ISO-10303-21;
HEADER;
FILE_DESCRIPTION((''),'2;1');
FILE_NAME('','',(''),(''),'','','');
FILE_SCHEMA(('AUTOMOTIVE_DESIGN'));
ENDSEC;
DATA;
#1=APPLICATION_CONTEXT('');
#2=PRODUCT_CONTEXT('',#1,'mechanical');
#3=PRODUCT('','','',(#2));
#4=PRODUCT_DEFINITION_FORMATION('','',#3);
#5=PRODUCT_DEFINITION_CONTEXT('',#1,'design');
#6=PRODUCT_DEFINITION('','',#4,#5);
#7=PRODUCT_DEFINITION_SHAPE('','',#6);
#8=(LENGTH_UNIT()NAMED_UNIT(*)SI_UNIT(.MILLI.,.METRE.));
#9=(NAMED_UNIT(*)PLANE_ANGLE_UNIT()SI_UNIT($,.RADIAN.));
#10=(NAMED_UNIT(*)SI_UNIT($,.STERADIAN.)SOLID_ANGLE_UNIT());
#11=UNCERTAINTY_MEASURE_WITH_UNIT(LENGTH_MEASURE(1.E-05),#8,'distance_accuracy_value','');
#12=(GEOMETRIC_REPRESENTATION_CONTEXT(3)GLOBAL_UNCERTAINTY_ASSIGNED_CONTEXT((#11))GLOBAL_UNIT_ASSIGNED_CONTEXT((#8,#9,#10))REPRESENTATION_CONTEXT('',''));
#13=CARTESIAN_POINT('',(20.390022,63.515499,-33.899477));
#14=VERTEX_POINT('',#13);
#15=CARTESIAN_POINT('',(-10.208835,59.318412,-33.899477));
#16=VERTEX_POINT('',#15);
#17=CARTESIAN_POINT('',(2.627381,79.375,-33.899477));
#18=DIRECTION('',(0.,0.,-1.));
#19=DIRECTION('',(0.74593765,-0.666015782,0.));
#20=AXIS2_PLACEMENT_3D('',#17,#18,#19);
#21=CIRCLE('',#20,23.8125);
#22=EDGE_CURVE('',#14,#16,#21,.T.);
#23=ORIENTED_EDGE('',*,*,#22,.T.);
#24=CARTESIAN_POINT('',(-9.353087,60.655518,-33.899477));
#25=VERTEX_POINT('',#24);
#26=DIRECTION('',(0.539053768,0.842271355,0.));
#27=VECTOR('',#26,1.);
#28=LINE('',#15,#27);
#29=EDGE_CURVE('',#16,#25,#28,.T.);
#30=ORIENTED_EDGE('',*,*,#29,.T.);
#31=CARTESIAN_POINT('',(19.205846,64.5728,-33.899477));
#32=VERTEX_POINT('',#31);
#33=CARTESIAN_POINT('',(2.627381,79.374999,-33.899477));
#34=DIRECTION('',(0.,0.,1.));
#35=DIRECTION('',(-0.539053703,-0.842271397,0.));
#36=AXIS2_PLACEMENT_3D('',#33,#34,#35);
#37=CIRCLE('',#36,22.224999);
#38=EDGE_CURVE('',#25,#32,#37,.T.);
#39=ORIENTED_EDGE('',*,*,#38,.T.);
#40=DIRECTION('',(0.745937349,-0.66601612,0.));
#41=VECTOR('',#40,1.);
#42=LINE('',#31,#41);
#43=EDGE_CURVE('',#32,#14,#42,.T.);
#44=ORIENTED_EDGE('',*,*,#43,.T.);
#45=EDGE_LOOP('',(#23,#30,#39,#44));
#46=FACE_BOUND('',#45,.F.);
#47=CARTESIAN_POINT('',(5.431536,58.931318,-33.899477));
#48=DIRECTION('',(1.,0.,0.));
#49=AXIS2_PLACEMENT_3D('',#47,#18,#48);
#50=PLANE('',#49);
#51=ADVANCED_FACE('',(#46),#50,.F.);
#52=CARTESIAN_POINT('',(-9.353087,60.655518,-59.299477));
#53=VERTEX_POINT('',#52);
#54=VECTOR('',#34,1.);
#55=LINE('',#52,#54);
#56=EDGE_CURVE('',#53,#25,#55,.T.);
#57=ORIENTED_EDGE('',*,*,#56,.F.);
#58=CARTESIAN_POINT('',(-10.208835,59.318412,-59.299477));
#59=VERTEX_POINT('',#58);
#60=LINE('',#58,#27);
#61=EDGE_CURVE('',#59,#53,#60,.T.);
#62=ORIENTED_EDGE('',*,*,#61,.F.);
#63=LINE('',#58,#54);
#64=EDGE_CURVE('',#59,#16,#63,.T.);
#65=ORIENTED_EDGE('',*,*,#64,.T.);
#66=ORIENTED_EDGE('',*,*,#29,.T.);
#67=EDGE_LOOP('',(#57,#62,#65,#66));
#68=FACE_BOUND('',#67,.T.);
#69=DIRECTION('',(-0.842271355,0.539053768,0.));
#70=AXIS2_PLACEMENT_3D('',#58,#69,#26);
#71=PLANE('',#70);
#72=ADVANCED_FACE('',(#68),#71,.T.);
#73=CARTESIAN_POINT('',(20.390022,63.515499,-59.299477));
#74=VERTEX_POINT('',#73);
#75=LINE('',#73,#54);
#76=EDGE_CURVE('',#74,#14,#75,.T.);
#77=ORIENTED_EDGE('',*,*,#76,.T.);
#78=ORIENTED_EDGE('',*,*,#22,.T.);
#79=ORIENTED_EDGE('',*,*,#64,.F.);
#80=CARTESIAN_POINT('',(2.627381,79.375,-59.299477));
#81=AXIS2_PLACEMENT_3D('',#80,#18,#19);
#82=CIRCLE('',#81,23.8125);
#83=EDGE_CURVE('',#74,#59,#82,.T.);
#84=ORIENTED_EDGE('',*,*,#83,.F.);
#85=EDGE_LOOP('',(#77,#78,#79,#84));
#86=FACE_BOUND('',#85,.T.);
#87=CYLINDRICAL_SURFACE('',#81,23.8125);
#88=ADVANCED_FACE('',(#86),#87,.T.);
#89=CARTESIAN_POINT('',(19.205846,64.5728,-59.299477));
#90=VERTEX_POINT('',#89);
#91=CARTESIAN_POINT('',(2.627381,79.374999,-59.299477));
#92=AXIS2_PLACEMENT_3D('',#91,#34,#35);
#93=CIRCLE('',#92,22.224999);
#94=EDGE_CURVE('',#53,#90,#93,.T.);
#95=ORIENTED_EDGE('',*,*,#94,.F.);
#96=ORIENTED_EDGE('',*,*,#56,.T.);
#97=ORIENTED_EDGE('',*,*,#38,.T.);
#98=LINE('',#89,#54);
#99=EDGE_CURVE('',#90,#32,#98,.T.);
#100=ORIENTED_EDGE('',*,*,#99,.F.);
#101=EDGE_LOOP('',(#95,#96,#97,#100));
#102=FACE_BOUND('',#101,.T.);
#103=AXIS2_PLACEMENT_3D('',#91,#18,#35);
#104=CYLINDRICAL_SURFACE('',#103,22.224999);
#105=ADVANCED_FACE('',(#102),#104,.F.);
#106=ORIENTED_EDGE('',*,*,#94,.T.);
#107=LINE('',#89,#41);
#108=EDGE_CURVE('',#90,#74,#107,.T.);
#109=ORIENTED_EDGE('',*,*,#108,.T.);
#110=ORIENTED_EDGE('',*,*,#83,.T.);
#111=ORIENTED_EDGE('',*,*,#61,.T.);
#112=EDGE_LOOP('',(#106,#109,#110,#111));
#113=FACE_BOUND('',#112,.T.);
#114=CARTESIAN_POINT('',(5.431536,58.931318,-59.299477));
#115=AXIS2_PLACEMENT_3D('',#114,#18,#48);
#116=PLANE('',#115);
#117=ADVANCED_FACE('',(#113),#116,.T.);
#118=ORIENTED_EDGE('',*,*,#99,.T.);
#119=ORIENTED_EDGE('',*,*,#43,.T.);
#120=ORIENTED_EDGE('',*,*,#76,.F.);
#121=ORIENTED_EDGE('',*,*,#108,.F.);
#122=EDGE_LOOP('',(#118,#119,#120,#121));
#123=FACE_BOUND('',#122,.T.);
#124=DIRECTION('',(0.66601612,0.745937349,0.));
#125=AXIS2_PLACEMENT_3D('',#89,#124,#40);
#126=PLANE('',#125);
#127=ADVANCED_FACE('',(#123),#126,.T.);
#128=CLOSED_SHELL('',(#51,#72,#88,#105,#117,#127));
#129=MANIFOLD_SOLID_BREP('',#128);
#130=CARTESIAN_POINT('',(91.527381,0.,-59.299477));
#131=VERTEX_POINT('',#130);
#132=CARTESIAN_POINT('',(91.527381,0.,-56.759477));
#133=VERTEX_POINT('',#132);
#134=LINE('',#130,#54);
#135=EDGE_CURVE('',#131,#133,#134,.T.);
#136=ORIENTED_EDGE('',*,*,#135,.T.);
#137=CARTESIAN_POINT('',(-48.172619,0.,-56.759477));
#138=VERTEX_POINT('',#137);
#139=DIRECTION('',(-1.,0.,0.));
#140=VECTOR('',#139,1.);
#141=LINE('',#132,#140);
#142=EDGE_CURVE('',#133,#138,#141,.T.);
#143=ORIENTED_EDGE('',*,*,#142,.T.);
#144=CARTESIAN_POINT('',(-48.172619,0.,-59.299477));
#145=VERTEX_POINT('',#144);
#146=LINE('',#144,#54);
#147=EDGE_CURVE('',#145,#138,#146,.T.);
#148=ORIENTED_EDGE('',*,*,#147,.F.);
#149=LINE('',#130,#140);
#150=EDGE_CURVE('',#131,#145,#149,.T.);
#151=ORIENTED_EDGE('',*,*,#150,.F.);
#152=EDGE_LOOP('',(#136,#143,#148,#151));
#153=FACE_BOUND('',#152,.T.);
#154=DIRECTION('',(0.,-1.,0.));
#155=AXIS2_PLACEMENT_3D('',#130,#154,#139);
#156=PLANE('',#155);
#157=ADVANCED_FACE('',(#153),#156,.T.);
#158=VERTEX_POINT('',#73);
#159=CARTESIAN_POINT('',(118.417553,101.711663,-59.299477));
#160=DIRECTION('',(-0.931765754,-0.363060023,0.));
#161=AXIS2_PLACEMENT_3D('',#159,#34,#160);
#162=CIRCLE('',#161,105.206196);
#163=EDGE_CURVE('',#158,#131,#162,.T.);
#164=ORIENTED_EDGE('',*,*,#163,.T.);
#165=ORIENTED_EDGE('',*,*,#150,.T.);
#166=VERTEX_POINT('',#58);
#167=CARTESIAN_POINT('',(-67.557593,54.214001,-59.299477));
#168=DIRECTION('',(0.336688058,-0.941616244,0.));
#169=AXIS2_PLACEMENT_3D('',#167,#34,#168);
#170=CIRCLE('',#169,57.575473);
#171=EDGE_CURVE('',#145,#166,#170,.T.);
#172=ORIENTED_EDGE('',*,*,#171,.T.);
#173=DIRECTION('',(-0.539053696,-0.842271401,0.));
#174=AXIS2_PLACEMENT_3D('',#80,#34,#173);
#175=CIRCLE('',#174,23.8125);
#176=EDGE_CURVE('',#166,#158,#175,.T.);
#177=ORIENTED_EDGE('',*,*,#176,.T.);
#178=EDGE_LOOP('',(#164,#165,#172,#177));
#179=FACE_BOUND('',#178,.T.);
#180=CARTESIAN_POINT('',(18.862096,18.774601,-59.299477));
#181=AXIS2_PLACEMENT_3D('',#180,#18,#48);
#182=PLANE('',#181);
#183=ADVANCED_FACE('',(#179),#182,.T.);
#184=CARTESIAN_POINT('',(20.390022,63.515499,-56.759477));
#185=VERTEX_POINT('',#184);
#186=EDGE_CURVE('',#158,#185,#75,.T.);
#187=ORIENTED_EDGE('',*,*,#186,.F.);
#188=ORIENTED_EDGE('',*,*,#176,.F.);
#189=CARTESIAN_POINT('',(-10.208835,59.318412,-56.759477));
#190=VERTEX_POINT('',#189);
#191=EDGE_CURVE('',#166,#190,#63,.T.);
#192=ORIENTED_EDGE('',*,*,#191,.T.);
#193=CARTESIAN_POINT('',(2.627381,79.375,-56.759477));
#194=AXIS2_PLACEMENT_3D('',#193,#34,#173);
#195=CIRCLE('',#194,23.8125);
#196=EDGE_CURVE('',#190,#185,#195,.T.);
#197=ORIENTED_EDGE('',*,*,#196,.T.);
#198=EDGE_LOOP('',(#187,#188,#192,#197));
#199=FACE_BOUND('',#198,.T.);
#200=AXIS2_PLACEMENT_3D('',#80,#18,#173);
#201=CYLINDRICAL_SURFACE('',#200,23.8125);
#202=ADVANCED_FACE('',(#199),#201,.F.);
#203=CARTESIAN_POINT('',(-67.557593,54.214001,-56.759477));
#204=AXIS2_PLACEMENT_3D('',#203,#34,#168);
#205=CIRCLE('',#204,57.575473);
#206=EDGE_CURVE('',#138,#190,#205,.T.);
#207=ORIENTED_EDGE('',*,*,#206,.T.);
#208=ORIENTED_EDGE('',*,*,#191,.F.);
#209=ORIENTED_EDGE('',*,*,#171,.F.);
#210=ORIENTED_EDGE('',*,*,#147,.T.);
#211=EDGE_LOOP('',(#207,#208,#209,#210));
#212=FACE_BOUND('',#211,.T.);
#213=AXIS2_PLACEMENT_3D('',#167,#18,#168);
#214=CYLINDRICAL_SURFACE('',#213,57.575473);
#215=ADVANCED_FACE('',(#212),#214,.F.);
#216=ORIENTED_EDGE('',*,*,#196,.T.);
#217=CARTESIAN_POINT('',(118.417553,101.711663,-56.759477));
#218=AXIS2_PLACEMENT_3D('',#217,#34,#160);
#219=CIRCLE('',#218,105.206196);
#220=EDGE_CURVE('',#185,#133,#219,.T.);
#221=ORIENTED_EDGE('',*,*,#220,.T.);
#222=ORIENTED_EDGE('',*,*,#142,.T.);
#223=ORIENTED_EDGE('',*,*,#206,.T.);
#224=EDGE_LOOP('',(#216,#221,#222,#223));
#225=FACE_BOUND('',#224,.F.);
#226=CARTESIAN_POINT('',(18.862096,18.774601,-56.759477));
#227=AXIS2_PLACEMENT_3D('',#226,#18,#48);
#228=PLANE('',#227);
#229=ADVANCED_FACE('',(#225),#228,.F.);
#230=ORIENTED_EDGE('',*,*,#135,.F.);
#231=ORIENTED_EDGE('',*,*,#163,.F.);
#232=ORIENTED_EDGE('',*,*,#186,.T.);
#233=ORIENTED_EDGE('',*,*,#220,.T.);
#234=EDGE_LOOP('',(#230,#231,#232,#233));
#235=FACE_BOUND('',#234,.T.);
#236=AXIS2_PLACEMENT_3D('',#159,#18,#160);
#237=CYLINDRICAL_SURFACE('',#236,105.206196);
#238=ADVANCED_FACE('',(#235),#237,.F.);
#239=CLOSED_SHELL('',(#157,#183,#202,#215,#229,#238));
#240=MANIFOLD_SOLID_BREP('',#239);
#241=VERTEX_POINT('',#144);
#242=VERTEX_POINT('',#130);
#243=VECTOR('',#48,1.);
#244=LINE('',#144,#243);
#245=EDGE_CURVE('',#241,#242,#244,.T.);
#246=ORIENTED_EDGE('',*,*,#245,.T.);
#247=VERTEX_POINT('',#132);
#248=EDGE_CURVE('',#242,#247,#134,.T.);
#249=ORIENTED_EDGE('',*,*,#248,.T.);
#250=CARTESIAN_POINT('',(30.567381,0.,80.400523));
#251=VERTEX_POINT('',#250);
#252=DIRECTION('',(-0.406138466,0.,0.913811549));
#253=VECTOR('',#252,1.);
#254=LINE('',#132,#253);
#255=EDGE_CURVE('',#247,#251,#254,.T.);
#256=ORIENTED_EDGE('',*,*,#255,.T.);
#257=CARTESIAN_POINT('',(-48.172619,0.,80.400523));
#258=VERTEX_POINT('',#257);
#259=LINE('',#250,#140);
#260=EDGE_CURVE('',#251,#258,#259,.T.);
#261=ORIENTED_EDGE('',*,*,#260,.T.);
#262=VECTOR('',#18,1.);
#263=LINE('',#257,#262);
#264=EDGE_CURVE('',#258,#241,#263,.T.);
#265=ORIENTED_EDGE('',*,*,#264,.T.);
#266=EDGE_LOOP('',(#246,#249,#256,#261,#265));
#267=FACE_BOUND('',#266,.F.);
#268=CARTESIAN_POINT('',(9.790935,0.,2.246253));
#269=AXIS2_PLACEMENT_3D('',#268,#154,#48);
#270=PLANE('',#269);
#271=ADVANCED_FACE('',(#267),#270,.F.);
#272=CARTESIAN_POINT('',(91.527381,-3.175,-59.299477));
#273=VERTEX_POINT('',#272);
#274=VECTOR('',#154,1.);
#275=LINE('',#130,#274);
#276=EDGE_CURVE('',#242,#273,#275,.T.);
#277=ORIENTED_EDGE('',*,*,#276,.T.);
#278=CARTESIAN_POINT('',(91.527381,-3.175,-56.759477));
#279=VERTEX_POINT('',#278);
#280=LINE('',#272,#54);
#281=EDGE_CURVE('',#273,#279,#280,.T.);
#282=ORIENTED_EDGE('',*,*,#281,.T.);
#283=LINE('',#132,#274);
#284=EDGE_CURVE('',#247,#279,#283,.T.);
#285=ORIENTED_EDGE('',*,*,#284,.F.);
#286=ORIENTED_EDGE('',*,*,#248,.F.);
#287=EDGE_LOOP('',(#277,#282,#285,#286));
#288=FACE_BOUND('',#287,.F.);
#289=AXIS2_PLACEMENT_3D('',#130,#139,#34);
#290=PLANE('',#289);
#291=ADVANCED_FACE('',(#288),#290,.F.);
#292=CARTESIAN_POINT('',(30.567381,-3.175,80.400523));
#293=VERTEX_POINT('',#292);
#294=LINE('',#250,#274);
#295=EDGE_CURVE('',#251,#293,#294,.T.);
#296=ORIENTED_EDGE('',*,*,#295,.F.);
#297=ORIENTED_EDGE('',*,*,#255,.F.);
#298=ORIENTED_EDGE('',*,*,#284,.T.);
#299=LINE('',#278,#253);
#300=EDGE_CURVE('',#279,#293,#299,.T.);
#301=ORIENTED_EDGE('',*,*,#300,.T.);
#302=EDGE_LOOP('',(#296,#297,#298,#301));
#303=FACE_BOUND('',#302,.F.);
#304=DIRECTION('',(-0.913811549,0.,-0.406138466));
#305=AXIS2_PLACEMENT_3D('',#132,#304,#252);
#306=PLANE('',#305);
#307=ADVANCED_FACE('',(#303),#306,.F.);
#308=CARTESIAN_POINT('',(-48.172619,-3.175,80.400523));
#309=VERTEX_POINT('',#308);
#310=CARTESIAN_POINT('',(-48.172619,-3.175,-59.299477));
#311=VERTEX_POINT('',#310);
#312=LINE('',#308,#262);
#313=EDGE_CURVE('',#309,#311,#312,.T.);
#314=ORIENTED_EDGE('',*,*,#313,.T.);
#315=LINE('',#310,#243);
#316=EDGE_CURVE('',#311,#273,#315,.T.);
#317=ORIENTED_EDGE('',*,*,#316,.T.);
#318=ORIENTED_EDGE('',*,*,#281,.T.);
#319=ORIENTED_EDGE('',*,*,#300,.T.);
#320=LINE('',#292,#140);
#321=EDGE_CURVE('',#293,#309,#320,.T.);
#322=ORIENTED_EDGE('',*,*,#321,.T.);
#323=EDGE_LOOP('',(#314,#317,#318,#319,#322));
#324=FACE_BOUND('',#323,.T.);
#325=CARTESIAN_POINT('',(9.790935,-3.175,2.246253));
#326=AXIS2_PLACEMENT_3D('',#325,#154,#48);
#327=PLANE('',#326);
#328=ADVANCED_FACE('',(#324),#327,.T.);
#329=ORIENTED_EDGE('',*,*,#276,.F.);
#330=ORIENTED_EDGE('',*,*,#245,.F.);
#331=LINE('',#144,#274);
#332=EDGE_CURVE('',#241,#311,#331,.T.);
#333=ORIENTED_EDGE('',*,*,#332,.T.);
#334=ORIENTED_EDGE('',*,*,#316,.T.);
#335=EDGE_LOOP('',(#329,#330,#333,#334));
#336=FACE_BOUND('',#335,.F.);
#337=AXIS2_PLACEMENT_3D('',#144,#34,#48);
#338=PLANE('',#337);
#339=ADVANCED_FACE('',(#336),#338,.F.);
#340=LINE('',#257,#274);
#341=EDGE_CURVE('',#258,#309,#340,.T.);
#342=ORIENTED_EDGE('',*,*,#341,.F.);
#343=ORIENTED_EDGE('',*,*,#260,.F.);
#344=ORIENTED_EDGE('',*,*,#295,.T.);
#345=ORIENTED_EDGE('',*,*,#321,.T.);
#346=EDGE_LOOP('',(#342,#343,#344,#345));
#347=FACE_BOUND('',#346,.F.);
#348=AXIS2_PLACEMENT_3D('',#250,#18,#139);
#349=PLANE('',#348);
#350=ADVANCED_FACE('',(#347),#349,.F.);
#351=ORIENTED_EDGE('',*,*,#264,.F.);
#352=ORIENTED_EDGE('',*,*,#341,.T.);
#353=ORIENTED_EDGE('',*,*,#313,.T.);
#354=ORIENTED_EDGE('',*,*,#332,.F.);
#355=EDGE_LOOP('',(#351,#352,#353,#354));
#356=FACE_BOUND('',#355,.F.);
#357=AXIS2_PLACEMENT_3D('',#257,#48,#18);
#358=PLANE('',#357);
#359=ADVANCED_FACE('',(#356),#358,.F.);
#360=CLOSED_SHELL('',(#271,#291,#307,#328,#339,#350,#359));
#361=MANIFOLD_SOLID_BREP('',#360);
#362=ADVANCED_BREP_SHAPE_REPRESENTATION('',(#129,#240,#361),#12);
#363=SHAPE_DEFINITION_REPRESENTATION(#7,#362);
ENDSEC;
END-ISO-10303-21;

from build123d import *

# Parameters (mm, degrees)
F1_DEPTH = 3.175
F3_DEPTH = 25.4
F5_DEPTH = 2.54


with BuildPart() as f1:
    # F0 (on Front) → F1 (new body)
    with BuildSketch(Plane.XZ):
        Polygon((-48.172619, 80.400523), (-48.172619, -59.299477), (91.527381, -59.299477), (91.527381, -56.759477), (30.567381, 80.400523), align=None)
    extrude(amount=F1_DEPTH)


with BuildPart() as f3:
    # F2 (on face) → F3 (new body)
    with BuildSketch(Plane(origin=(0, 0, -59.299477), x_dir=(1, 0, 0), z_dir=(0, 0, -1))):
        with BuildLine():
            ThreePointArc((-9.353087, -60.655518), (5.647591, -57.356168), (19.205846, -64.5728))
            Line((19.205846, -64.5728), (20.390022, -63.515499))
            ThreePointArc((20.390022, -63.515499), (5.86332, -55.783394), (-10.208835, -59.318412))
            Line((-10.208835, -59.318412), (-9.353087, -60.655518))
        make_face()
    extrude(amount=-F3_DEPTH)


with BuildPart() as f5:
    # F4 (on face) → F5 (new body)
    with BuildSketch(Plane(origin=(0, 0, -59.299477), x_dir=(1, 0, 0), z_dir=(0, 0, -1))):
        with BuildLine():
            ThreePointArc((-48.172619, 0), (-19.063419, -23.177729), (-10.208835, -59.318412))
            ThreePointArc((-10.208835, -59.318412), (5.86332, -55.783394), (20.390022, -63.515499))
            ThreePointArc((20.390022, -63.515499), (48.348567, -23.234399), (91.527381, 0))
            Line((91.527381, 0), (-48.172619, 0))
        make_face()
    extrude(amount=-F5_DEPTH)


solid = Compound([f1.part, f3.part, f5.part])
